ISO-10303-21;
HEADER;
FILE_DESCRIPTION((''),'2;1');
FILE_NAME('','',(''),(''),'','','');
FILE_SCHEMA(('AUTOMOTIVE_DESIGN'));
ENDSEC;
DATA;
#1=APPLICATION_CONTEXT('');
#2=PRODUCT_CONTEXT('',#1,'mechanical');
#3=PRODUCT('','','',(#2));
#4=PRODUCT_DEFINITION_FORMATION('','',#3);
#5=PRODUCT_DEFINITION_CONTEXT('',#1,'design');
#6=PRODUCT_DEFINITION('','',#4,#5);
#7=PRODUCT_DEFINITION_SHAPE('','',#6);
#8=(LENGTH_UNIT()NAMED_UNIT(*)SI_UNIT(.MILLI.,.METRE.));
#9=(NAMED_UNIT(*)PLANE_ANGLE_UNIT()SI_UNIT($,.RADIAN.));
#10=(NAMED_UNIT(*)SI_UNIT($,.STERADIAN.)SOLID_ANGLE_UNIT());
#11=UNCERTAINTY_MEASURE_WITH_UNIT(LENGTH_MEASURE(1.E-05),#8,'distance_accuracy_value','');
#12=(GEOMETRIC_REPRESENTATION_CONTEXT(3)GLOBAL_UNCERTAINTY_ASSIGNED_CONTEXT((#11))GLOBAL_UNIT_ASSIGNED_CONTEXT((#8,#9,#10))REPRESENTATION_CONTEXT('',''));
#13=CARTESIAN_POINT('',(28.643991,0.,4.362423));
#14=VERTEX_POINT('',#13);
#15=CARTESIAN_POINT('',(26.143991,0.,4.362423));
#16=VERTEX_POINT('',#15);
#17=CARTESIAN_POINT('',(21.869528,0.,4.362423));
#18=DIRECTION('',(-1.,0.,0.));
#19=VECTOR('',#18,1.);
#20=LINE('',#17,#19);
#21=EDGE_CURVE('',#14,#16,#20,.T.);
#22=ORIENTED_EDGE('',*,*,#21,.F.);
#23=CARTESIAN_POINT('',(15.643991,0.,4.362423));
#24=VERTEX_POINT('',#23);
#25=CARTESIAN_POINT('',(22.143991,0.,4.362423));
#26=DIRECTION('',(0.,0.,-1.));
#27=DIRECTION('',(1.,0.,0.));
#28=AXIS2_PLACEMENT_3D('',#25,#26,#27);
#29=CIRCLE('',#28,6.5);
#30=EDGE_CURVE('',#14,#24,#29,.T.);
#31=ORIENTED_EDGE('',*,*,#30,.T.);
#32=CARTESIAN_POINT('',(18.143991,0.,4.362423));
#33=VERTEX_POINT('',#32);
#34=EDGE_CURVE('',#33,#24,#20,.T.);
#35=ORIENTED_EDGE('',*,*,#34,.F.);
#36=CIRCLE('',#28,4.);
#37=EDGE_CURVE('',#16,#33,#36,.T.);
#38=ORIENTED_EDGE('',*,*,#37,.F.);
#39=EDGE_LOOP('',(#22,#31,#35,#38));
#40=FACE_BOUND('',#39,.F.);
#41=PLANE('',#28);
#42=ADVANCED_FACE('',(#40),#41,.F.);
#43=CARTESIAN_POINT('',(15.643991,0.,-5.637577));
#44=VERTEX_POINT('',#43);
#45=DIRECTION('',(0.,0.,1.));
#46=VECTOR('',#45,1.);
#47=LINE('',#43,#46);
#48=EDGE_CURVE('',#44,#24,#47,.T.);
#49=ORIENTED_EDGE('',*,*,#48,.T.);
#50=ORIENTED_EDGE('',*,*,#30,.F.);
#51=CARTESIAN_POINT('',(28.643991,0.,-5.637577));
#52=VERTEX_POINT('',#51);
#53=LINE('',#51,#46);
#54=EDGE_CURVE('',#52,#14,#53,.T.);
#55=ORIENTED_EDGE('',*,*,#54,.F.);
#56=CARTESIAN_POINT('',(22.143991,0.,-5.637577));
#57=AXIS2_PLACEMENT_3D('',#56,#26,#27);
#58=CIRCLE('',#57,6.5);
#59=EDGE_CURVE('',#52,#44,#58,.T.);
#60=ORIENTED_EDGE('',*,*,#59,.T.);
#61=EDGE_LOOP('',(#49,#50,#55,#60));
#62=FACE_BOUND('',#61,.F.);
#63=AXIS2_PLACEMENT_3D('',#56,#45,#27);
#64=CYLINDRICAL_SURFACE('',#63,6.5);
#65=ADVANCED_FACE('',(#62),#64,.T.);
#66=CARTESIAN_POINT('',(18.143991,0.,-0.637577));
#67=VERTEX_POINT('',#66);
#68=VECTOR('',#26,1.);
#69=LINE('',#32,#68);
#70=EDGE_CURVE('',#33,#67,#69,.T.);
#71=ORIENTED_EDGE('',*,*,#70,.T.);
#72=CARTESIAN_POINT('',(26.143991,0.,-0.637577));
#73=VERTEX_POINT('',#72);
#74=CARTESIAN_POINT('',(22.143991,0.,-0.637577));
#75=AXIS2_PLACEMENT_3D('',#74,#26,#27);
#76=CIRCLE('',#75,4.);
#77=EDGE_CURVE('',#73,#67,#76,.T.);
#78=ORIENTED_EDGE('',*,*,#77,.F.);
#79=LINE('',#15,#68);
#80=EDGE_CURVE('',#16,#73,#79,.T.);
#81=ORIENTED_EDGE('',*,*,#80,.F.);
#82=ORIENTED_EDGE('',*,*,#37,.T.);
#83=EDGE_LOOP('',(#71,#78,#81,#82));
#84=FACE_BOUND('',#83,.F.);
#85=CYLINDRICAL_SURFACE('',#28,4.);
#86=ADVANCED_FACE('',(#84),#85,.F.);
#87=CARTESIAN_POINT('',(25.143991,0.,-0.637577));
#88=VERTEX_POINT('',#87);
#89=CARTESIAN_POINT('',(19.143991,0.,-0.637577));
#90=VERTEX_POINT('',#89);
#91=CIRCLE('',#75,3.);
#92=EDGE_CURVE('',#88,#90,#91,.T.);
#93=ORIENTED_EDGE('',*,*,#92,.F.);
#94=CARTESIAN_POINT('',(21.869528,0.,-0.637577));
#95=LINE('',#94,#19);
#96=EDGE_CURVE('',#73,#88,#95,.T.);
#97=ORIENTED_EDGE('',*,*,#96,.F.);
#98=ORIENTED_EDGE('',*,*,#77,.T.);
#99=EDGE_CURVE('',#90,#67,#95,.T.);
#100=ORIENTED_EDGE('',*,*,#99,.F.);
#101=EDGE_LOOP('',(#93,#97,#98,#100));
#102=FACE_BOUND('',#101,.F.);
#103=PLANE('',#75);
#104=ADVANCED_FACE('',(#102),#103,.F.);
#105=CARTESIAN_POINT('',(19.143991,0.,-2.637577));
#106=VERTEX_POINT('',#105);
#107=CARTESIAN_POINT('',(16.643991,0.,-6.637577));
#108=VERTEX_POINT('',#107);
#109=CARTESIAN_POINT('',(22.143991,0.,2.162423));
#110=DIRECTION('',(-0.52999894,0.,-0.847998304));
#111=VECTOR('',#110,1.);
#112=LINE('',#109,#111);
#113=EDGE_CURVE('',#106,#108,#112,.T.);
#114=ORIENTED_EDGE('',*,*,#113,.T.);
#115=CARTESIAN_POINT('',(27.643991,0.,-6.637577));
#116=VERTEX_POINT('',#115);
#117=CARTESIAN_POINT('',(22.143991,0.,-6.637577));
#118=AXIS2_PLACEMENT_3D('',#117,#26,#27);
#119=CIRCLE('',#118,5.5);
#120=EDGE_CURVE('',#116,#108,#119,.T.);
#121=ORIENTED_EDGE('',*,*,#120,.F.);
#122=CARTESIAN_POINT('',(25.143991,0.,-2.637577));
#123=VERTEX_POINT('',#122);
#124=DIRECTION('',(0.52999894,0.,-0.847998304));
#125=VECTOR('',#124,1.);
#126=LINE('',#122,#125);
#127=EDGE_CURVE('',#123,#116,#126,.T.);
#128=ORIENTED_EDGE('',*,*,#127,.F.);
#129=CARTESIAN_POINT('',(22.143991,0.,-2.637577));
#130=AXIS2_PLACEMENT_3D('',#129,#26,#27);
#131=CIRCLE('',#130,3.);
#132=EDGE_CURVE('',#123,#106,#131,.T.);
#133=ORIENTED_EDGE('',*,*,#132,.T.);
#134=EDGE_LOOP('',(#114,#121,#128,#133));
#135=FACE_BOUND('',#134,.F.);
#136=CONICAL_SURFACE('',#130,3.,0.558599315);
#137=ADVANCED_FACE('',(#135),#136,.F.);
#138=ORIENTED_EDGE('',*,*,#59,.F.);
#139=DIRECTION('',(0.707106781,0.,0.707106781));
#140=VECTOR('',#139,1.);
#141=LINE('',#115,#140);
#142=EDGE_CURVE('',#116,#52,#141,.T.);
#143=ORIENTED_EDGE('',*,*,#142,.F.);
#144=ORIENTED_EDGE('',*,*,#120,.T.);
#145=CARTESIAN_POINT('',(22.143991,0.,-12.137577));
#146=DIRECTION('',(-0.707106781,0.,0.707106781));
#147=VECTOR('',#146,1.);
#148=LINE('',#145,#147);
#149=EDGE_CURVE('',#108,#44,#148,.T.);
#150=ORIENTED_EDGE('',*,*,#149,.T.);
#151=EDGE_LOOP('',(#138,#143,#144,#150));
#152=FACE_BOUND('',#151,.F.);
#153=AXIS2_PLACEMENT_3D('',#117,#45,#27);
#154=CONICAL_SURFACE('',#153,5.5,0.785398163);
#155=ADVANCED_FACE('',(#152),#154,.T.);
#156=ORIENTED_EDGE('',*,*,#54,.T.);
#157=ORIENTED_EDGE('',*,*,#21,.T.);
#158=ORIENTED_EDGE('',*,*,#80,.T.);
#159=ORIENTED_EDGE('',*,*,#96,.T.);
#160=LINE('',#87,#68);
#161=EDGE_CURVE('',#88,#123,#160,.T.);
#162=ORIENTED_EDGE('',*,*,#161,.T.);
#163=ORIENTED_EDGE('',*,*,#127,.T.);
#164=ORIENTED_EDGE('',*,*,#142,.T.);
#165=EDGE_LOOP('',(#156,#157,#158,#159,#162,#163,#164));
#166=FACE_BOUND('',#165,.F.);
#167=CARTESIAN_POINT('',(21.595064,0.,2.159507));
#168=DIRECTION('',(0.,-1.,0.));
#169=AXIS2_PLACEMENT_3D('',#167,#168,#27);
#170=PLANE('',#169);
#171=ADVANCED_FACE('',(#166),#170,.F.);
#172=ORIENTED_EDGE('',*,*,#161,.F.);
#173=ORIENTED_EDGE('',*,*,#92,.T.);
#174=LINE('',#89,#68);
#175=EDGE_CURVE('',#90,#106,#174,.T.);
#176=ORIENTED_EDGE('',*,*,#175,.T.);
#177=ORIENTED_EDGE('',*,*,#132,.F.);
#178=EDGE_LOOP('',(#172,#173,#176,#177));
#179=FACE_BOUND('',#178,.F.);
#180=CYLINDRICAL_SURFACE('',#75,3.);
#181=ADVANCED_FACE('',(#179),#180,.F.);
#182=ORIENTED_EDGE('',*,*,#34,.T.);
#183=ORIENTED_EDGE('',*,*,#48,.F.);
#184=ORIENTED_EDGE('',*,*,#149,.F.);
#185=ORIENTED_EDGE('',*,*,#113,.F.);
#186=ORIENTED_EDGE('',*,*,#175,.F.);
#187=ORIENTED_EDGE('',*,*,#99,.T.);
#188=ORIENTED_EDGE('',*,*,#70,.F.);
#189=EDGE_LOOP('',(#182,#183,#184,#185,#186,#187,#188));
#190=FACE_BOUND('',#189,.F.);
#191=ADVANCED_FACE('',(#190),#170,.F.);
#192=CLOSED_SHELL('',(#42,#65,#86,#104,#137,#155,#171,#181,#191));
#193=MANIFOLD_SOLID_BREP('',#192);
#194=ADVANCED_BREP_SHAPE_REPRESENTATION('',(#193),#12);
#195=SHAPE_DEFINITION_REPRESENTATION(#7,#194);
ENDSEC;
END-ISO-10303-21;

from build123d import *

# Parameters (mm, degrees)
F2_W     = 53.843694
F2_H     = 49.812616
F3_DEPTH = 6.501


with BuildPart() as f1:
    # F0 (on Front) → F1 (revolve)
    with BuildSketch(Plane.XZ):
        Polygon((28.643991, 4.362423), (26.143991, 4.362423), (26.143991, -0.637577), (25.143991, -0.637577), (25.143991, -2.637577), (27.643991, -6.637577), (28.643991, -5.637577), align=None)
    revolve(axis=Axis((22.143991, 0, -3.490844), (0, 0, -1)))

    # F2 (on Front) → F3 (cut, through all)
    with BuildSketch(Plane.XZ):
        with Locations((21.595064, 2.159507)):
            Rectangle(F2_W, F2_H)
    extrude(amount=-F3_DEPTH, mode=Mode.SUBTRACT)


solid = f1.part
